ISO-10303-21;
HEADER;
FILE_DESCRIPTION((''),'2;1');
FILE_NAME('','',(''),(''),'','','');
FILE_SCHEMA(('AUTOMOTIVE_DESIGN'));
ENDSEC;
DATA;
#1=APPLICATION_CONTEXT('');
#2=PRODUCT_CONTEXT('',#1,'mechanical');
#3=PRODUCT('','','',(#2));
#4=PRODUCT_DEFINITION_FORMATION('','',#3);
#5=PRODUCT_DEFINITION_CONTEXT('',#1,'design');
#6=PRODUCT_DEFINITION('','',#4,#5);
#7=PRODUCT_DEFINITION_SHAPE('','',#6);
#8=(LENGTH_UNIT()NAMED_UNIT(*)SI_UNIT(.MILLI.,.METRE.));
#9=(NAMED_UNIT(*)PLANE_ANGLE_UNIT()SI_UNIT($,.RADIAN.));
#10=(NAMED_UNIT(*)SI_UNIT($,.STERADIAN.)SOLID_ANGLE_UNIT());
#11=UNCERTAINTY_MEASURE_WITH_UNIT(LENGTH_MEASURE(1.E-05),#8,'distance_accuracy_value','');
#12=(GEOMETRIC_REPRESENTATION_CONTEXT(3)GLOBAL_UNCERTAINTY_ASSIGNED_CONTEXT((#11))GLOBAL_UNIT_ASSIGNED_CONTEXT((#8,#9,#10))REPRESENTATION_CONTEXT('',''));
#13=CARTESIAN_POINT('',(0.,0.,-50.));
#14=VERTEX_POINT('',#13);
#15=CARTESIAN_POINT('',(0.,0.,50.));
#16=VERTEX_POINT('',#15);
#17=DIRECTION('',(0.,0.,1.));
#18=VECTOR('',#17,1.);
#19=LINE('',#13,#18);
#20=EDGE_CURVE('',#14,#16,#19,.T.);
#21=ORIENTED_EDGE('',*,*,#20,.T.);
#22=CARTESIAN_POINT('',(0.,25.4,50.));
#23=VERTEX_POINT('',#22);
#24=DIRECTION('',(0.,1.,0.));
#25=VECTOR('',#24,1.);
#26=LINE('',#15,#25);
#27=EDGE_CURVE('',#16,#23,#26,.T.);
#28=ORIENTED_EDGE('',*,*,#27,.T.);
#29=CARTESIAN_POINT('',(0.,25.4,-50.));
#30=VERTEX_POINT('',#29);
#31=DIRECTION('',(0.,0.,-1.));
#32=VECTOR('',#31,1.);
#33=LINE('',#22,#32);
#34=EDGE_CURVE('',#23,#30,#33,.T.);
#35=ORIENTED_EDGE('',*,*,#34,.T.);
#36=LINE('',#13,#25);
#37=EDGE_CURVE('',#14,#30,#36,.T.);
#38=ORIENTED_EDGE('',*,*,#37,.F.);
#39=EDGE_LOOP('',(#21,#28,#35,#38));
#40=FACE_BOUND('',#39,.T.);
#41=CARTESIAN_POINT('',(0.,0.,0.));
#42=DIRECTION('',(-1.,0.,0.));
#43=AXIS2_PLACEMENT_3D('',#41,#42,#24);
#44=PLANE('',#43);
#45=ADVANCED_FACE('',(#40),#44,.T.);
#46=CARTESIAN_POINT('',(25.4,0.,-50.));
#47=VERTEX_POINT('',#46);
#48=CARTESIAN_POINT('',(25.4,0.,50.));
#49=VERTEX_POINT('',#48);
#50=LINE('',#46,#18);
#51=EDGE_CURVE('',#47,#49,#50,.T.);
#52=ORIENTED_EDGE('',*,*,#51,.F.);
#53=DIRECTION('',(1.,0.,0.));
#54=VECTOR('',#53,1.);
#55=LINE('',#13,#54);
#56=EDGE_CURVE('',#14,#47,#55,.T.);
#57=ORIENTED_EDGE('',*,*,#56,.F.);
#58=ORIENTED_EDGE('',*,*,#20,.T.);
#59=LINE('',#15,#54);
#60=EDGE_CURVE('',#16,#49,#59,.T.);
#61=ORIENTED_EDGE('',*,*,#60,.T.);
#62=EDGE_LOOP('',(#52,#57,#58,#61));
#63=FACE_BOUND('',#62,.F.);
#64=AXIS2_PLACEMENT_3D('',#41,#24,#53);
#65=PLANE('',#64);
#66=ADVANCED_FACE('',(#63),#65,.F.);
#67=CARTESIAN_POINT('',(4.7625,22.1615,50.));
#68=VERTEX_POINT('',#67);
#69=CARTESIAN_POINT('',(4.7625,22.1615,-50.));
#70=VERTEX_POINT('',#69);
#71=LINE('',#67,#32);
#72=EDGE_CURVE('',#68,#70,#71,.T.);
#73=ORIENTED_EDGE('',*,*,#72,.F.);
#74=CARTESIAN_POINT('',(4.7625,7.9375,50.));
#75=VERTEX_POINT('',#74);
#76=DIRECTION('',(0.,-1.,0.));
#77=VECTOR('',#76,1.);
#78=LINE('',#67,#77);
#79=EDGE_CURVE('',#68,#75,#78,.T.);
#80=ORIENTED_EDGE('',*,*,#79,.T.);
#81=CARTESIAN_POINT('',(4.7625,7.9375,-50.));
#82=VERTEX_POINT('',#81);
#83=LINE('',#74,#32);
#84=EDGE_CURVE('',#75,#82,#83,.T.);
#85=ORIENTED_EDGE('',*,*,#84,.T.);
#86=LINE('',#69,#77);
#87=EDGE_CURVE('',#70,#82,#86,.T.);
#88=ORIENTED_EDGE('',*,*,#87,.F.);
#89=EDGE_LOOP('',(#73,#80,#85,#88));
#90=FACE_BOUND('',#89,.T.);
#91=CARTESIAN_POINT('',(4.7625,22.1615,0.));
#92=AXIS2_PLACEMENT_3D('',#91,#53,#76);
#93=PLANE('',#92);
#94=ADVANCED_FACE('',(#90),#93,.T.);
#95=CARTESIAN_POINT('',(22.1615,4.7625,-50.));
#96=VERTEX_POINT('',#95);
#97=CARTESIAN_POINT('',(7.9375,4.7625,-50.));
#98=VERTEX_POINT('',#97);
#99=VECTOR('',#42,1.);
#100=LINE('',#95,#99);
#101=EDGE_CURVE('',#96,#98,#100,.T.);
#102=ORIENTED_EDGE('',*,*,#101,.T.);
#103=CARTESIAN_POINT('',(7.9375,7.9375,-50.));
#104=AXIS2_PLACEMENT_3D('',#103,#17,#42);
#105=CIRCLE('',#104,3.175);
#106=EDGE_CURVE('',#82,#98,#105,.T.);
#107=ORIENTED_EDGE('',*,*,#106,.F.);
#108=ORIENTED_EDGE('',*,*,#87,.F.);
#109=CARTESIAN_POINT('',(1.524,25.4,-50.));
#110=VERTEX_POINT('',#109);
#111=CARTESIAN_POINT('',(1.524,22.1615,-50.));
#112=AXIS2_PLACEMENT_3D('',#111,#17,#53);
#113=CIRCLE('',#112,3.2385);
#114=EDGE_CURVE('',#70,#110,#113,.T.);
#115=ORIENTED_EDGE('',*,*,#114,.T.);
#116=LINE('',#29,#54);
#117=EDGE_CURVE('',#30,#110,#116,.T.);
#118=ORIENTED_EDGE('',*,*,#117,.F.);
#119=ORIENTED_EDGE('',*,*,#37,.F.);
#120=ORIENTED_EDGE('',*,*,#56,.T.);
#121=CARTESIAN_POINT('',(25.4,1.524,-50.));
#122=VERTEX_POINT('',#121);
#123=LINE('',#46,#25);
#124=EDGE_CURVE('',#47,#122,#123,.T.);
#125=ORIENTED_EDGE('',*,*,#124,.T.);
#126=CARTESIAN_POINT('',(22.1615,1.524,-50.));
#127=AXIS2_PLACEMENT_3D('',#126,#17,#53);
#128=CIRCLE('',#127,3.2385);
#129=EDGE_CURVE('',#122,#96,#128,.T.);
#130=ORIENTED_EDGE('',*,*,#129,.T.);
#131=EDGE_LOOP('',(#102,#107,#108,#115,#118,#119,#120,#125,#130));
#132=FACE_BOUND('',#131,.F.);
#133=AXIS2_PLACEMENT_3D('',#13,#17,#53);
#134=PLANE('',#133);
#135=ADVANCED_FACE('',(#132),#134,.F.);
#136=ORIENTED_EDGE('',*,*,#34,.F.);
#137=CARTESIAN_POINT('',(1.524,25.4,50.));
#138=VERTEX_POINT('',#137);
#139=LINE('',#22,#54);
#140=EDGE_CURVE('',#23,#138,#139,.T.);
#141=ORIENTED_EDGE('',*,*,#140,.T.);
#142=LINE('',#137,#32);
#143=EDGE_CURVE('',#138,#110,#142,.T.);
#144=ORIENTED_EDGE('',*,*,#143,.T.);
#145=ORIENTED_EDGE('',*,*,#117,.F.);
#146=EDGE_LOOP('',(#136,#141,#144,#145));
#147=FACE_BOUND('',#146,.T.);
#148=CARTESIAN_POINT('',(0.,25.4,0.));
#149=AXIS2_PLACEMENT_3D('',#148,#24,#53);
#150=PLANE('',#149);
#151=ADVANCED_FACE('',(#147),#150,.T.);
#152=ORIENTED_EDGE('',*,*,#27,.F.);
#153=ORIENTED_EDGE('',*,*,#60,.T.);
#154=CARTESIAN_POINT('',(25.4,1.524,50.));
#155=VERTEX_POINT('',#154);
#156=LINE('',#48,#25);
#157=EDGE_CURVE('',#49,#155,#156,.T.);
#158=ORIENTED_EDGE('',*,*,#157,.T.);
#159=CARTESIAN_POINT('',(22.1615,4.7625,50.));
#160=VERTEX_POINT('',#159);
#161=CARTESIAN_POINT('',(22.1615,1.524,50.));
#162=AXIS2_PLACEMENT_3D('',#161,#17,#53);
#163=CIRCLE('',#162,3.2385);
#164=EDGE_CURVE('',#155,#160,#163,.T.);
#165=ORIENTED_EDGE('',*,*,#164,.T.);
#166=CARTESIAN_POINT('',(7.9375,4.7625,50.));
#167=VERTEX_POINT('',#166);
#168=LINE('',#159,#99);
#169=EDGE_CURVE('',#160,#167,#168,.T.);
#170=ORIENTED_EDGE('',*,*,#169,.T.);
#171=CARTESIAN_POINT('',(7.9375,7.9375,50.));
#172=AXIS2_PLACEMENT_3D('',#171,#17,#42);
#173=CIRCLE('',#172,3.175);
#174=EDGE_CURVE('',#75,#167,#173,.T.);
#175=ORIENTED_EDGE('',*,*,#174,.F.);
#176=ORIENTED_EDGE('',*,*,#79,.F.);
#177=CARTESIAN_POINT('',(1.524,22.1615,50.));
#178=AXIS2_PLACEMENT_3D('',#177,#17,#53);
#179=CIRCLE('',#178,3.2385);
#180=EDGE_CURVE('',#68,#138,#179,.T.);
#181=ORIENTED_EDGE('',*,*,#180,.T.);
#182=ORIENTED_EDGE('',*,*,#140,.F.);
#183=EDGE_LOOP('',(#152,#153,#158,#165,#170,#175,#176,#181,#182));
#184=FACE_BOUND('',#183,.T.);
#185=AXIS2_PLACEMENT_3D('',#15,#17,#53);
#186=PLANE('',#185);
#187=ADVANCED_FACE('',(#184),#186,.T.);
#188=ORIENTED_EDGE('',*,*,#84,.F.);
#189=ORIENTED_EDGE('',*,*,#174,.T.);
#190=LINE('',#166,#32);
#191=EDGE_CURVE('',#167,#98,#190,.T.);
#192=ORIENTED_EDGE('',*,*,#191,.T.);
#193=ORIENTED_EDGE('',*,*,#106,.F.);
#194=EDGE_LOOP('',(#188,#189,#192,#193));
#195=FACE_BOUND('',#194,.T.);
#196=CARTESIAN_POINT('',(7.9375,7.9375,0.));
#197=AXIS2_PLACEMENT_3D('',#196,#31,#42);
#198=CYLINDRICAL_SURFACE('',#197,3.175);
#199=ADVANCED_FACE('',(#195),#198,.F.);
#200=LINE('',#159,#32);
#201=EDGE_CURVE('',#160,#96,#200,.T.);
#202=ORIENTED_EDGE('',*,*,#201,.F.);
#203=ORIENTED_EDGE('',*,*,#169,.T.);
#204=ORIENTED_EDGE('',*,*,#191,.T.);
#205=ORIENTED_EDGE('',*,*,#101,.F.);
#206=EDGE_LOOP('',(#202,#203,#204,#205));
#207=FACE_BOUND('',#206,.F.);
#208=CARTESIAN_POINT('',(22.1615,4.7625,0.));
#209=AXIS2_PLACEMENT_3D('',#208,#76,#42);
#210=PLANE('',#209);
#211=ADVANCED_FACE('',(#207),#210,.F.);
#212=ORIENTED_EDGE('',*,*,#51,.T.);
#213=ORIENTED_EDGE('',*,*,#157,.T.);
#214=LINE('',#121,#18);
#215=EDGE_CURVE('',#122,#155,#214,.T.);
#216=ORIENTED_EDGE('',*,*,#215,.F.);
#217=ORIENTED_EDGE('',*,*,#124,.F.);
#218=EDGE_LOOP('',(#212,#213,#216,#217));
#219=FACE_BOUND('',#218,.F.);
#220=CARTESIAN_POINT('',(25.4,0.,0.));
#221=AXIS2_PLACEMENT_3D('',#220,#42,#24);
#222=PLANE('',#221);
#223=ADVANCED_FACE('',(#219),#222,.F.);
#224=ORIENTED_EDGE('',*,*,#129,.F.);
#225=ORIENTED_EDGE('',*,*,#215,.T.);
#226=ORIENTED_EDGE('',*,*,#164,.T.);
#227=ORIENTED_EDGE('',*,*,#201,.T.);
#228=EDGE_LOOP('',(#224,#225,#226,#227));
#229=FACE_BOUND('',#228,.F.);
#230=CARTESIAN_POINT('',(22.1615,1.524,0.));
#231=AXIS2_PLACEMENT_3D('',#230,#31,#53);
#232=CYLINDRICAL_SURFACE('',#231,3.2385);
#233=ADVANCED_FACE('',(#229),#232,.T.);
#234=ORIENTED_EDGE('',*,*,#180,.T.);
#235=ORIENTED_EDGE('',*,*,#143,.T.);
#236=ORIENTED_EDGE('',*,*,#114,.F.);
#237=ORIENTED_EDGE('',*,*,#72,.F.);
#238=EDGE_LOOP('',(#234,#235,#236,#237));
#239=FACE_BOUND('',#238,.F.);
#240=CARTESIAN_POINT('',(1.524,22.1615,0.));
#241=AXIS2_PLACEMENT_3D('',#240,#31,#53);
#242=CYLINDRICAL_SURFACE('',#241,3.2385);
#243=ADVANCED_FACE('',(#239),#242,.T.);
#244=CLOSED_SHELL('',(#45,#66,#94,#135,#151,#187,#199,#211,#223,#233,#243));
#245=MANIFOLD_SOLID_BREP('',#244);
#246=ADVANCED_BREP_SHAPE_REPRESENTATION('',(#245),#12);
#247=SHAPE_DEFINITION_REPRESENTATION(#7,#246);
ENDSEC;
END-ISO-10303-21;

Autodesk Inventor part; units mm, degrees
ref_plane "YZ Plane" through (0, 0, 0) normal (1, 0, 0) x (0, 1, 0)
ref_plane "XZ Plane" through (0, 0, 0) normal (0, 1, 0) x (-1, 0, 0)
ref_plane "XY Plane" through (0, 0, 0) normal (0, 0, 1) x (1, 0, 0)
sketch "Sketch1" plane through (0, 0, 0) normal (0, 0, 1) x (1, 0, 0)
  line L0 (0, 0) -> (0, 25.4)
  line L1 (0, 25.4) -> (1.524, 25.4)
  line L2 (4.7625, 22.1615) -> (4.7625, 7.9375)
  line L3 (0, 0) -> (25.4, 0)
  line L4 (25.4, 0) -> (25.4, 1.524)
  line L5 (22.1615, 4.7625) -> (7.9375, 4.7625)
  arc A0 (4.7625, 7.9375) -> (7.9375, 4.7625) centre (7.9375, 7.9375) ccw
  arc A1 (4.7625, 22.1615) -> (1.524, 25.4) centre (1.524, 22.1615) ccw
  arc A2 (25.4, 1.524) -> (22.1615, 4.7625) centre (22.1615, 1.524) ccw
  dimension "thickness" = 4.7625
  dimension "d3" = 4.7625
  dimension "LegSize" = 25.4
  dimension "d5" = 25.4
  dimension "radius" = 3.175
  dimension "d7" = 3.2385
  dimension "d8" = 3.2385
extrude "1\" X 1\" X 3/16\"" add sketch "Sketch1" along normal mid plane 100
equation "\"d3\" = thickness"
equation "\"d5\" = LegSize"
properties part number "ANGLE IRON, 1 X 1 X 0.188 THK" material "Angle Iron"
